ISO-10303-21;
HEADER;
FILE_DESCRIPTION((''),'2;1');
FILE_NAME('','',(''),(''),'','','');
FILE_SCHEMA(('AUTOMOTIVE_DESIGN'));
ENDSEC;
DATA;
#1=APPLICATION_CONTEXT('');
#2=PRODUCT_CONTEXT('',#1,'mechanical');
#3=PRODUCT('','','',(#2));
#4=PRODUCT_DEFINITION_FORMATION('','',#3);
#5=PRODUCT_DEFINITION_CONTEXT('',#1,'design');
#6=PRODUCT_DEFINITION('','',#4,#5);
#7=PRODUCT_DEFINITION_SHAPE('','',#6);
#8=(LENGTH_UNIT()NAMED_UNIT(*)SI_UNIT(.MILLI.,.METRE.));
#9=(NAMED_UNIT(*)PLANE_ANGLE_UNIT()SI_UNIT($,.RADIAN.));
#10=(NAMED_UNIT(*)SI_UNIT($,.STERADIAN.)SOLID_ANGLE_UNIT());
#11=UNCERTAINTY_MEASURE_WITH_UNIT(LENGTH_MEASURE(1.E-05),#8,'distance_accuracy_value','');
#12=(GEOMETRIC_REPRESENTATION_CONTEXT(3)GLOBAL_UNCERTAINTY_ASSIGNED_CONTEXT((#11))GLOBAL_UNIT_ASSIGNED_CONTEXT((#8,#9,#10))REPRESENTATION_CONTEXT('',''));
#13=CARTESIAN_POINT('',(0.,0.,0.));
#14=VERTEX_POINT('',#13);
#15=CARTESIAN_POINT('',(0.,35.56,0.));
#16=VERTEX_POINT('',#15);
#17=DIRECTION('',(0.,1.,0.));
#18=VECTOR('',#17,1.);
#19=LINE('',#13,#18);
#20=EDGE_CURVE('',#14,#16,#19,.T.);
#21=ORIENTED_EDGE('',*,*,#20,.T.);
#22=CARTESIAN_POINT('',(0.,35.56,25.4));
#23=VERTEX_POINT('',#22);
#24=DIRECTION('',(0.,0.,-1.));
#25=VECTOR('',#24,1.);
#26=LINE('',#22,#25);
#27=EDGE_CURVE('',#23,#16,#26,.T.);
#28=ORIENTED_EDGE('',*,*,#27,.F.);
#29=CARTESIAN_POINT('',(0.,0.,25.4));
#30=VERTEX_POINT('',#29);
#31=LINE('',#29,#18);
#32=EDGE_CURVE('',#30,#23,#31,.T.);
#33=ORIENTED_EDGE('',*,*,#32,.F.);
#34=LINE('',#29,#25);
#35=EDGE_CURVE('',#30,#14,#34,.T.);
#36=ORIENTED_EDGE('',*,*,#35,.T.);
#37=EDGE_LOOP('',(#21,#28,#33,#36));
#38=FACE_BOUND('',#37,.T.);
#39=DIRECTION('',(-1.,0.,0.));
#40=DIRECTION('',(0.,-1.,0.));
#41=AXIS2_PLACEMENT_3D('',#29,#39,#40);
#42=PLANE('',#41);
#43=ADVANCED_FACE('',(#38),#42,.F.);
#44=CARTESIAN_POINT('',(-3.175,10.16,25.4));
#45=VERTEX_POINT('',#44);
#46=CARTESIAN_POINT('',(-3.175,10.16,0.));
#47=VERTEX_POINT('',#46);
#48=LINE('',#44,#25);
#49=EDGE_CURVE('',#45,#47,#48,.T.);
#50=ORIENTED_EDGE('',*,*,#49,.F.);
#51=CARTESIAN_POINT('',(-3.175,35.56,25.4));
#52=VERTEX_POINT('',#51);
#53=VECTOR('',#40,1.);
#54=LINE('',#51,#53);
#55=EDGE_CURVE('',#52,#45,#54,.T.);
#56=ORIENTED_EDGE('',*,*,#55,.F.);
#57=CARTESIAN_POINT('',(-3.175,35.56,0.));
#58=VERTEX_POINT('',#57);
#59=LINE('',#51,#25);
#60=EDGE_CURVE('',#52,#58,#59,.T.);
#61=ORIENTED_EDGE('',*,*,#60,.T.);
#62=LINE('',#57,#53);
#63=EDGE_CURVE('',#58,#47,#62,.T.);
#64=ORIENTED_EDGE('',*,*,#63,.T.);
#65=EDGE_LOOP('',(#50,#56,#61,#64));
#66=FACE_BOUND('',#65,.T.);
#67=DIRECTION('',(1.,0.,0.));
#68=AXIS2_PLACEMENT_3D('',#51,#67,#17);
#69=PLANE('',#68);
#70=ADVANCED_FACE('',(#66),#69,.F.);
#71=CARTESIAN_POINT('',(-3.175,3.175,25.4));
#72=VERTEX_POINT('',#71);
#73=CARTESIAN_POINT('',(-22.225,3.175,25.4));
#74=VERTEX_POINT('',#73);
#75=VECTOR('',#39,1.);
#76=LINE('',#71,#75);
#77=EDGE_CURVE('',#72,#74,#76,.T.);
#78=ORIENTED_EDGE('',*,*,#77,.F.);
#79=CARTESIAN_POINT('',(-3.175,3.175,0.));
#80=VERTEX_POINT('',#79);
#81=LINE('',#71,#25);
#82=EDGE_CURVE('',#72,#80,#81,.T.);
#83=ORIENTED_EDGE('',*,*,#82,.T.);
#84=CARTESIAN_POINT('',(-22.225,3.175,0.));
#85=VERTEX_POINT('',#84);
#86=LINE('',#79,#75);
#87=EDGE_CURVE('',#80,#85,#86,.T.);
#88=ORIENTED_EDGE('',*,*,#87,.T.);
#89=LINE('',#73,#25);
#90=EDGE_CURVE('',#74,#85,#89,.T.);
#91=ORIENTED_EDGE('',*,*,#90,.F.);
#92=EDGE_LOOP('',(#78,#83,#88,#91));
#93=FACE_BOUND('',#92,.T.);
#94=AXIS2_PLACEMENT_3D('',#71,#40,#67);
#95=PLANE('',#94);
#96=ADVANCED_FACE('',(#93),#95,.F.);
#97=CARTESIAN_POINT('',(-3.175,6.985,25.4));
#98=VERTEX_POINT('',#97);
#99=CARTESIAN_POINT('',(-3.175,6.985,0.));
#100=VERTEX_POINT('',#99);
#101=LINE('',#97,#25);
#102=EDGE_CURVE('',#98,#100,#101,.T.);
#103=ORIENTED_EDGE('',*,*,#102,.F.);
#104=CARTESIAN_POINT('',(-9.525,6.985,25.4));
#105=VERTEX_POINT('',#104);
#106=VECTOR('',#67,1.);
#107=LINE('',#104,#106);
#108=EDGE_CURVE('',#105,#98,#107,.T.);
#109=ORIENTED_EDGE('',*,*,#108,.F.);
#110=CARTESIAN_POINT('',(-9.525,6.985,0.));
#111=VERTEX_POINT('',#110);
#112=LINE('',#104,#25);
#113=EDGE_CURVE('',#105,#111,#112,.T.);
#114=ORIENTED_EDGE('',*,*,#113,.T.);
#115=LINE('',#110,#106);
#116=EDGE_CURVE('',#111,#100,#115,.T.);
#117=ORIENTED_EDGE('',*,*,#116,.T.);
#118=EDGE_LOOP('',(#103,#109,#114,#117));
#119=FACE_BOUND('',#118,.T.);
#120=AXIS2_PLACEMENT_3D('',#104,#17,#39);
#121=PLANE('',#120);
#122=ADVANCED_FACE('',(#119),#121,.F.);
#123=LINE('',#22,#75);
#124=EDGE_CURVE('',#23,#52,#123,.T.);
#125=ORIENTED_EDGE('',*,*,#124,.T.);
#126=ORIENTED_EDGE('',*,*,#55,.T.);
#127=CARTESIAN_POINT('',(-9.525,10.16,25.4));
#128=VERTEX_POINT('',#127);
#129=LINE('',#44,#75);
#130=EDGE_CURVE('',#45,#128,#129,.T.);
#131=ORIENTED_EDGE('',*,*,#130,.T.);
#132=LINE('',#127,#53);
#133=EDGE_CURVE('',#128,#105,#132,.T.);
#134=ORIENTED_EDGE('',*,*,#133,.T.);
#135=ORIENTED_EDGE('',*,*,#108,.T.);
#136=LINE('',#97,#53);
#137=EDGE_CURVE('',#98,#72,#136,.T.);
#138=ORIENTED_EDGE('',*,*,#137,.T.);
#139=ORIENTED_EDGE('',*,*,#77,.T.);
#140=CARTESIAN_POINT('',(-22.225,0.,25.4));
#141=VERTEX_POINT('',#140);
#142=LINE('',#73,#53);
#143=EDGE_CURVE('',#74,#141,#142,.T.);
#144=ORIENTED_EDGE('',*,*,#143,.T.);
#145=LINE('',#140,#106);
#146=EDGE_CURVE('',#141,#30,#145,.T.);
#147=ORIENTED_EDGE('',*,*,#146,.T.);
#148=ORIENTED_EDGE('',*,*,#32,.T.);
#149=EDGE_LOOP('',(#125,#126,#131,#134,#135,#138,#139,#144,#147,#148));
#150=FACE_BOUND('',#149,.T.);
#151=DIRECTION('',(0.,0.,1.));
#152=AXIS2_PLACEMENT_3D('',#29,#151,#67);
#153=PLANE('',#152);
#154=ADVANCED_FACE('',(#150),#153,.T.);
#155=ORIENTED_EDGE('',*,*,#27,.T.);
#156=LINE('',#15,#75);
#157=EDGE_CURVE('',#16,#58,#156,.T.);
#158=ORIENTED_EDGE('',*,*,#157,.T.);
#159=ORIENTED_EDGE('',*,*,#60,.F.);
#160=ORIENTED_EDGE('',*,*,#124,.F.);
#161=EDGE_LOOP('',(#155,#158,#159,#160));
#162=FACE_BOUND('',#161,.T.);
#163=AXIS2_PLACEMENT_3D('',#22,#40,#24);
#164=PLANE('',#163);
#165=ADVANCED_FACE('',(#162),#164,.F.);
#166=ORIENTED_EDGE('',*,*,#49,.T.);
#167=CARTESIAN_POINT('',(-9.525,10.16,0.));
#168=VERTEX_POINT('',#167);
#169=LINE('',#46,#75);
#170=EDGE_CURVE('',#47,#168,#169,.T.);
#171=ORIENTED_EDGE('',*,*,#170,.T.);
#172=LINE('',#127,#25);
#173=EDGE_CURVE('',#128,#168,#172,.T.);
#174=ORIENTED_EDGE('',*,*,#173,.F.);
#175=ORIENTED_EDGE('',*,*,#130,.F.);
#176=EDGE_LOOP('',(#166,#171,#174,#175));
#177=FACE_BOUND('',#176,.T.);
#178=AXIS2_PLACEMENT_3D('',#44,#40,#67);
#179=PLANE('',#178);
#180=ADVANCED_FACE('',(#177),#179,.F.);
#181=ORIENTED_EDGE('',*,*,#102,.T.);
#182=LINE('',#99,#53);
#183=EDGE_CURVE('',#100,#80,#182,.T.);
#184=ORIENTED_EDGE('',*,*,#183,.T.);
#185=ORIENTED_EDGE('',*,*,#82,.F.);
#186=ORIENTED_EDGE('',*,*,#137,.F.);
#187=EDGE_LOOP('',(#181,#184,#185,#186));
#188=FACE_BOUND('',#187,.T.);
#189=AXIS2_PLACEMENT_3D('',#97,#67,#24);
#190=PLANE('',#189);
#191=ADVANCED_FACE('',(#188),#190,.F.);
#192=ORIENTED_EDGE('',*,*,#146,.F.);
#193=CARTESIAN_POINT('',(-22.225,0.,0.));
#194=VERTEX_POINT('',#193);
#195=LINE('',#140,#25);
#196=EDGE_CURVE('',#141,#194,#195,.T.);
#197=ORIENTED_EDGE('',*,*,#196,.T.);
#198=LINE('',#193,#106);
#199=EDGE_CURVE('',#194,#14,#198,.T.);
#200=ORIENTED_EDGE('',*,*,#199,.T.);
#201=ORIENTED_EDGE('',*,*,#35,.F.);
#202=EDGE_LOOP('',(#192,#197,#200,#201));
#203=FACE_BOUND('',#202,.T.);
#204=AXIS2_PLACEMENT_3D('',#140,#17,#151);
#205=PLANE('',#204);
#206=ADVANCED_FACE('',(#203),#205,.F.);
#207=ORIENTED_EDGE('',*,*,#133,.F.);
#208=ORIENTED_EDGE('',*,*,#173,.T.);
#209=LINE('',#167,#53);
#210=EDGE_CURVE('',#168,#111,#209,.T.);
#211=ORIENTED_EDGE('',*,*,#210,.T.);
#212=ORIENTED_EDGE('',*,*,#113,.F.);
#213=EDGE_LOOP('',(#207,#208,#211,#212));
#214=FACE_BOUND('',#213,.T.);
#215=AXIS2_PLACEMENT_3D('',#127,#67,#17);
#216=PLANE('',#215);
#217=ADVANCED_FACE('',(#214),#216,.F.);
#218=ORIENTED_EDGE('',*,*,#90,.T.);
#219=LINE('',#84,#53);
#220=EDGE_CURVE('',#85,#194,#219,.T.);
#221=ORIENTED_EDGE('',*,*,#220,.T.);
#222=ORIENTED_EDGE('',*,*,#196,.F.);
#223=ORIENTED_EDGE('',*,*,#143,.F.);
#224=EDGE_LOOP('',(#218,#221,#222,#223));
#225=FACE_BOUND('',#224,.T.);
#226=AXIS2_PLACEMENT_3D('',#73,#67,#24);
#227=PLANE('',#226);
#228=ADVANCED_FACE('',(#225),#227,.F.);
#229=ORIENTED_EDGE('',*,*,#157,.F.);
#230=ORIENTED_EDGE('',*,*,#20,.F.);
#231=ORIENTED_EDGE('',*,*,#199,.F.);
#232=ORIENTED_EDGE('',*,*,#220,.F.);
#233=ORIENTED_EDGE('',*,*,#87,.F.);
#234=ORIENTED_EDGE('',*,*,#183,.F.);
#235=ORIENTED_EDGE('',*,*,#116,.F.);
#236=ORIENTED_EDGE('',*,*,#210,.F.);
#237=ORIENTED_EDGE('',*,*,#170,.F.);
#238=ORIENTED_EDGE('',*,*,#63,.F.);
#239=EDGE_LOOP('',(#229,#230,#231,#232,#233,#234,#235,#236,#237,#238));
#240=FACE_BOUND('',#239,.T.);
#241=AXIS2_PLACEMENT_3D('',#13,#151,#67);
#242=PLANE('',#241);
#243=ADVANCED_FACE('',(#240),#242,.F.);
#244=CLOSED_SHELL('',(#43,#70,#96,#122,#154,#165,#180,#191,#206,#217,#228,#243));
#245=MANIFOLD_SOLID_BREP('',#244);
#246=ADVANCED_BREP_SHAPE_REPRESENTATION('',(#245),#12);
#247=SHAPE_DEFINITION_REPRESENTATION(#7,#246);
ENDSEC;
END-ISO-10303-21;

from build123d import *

# Parameters (mm, degrees)
BOSS_EXTRUDE1_DEPTH = 25.4


with BuildPart() as part:
    # Sketch1 → Boss-Extrude1 (new body)
    with BuildSketch(Plane.XY):
        Polygon((0, 0), (0, 35.56), (-3.175, 35.56), (-3.175, 10.16), (-9.525, 10.16), (-9.525, 6.985), (-3.175, 6.985), (-3.175, 3.175), (-22.225, 3.175), (-22.225, 0), align=None)
    extrude(amount=BOSS_EXTRUDE1_DEPTH)


solid = part.part
